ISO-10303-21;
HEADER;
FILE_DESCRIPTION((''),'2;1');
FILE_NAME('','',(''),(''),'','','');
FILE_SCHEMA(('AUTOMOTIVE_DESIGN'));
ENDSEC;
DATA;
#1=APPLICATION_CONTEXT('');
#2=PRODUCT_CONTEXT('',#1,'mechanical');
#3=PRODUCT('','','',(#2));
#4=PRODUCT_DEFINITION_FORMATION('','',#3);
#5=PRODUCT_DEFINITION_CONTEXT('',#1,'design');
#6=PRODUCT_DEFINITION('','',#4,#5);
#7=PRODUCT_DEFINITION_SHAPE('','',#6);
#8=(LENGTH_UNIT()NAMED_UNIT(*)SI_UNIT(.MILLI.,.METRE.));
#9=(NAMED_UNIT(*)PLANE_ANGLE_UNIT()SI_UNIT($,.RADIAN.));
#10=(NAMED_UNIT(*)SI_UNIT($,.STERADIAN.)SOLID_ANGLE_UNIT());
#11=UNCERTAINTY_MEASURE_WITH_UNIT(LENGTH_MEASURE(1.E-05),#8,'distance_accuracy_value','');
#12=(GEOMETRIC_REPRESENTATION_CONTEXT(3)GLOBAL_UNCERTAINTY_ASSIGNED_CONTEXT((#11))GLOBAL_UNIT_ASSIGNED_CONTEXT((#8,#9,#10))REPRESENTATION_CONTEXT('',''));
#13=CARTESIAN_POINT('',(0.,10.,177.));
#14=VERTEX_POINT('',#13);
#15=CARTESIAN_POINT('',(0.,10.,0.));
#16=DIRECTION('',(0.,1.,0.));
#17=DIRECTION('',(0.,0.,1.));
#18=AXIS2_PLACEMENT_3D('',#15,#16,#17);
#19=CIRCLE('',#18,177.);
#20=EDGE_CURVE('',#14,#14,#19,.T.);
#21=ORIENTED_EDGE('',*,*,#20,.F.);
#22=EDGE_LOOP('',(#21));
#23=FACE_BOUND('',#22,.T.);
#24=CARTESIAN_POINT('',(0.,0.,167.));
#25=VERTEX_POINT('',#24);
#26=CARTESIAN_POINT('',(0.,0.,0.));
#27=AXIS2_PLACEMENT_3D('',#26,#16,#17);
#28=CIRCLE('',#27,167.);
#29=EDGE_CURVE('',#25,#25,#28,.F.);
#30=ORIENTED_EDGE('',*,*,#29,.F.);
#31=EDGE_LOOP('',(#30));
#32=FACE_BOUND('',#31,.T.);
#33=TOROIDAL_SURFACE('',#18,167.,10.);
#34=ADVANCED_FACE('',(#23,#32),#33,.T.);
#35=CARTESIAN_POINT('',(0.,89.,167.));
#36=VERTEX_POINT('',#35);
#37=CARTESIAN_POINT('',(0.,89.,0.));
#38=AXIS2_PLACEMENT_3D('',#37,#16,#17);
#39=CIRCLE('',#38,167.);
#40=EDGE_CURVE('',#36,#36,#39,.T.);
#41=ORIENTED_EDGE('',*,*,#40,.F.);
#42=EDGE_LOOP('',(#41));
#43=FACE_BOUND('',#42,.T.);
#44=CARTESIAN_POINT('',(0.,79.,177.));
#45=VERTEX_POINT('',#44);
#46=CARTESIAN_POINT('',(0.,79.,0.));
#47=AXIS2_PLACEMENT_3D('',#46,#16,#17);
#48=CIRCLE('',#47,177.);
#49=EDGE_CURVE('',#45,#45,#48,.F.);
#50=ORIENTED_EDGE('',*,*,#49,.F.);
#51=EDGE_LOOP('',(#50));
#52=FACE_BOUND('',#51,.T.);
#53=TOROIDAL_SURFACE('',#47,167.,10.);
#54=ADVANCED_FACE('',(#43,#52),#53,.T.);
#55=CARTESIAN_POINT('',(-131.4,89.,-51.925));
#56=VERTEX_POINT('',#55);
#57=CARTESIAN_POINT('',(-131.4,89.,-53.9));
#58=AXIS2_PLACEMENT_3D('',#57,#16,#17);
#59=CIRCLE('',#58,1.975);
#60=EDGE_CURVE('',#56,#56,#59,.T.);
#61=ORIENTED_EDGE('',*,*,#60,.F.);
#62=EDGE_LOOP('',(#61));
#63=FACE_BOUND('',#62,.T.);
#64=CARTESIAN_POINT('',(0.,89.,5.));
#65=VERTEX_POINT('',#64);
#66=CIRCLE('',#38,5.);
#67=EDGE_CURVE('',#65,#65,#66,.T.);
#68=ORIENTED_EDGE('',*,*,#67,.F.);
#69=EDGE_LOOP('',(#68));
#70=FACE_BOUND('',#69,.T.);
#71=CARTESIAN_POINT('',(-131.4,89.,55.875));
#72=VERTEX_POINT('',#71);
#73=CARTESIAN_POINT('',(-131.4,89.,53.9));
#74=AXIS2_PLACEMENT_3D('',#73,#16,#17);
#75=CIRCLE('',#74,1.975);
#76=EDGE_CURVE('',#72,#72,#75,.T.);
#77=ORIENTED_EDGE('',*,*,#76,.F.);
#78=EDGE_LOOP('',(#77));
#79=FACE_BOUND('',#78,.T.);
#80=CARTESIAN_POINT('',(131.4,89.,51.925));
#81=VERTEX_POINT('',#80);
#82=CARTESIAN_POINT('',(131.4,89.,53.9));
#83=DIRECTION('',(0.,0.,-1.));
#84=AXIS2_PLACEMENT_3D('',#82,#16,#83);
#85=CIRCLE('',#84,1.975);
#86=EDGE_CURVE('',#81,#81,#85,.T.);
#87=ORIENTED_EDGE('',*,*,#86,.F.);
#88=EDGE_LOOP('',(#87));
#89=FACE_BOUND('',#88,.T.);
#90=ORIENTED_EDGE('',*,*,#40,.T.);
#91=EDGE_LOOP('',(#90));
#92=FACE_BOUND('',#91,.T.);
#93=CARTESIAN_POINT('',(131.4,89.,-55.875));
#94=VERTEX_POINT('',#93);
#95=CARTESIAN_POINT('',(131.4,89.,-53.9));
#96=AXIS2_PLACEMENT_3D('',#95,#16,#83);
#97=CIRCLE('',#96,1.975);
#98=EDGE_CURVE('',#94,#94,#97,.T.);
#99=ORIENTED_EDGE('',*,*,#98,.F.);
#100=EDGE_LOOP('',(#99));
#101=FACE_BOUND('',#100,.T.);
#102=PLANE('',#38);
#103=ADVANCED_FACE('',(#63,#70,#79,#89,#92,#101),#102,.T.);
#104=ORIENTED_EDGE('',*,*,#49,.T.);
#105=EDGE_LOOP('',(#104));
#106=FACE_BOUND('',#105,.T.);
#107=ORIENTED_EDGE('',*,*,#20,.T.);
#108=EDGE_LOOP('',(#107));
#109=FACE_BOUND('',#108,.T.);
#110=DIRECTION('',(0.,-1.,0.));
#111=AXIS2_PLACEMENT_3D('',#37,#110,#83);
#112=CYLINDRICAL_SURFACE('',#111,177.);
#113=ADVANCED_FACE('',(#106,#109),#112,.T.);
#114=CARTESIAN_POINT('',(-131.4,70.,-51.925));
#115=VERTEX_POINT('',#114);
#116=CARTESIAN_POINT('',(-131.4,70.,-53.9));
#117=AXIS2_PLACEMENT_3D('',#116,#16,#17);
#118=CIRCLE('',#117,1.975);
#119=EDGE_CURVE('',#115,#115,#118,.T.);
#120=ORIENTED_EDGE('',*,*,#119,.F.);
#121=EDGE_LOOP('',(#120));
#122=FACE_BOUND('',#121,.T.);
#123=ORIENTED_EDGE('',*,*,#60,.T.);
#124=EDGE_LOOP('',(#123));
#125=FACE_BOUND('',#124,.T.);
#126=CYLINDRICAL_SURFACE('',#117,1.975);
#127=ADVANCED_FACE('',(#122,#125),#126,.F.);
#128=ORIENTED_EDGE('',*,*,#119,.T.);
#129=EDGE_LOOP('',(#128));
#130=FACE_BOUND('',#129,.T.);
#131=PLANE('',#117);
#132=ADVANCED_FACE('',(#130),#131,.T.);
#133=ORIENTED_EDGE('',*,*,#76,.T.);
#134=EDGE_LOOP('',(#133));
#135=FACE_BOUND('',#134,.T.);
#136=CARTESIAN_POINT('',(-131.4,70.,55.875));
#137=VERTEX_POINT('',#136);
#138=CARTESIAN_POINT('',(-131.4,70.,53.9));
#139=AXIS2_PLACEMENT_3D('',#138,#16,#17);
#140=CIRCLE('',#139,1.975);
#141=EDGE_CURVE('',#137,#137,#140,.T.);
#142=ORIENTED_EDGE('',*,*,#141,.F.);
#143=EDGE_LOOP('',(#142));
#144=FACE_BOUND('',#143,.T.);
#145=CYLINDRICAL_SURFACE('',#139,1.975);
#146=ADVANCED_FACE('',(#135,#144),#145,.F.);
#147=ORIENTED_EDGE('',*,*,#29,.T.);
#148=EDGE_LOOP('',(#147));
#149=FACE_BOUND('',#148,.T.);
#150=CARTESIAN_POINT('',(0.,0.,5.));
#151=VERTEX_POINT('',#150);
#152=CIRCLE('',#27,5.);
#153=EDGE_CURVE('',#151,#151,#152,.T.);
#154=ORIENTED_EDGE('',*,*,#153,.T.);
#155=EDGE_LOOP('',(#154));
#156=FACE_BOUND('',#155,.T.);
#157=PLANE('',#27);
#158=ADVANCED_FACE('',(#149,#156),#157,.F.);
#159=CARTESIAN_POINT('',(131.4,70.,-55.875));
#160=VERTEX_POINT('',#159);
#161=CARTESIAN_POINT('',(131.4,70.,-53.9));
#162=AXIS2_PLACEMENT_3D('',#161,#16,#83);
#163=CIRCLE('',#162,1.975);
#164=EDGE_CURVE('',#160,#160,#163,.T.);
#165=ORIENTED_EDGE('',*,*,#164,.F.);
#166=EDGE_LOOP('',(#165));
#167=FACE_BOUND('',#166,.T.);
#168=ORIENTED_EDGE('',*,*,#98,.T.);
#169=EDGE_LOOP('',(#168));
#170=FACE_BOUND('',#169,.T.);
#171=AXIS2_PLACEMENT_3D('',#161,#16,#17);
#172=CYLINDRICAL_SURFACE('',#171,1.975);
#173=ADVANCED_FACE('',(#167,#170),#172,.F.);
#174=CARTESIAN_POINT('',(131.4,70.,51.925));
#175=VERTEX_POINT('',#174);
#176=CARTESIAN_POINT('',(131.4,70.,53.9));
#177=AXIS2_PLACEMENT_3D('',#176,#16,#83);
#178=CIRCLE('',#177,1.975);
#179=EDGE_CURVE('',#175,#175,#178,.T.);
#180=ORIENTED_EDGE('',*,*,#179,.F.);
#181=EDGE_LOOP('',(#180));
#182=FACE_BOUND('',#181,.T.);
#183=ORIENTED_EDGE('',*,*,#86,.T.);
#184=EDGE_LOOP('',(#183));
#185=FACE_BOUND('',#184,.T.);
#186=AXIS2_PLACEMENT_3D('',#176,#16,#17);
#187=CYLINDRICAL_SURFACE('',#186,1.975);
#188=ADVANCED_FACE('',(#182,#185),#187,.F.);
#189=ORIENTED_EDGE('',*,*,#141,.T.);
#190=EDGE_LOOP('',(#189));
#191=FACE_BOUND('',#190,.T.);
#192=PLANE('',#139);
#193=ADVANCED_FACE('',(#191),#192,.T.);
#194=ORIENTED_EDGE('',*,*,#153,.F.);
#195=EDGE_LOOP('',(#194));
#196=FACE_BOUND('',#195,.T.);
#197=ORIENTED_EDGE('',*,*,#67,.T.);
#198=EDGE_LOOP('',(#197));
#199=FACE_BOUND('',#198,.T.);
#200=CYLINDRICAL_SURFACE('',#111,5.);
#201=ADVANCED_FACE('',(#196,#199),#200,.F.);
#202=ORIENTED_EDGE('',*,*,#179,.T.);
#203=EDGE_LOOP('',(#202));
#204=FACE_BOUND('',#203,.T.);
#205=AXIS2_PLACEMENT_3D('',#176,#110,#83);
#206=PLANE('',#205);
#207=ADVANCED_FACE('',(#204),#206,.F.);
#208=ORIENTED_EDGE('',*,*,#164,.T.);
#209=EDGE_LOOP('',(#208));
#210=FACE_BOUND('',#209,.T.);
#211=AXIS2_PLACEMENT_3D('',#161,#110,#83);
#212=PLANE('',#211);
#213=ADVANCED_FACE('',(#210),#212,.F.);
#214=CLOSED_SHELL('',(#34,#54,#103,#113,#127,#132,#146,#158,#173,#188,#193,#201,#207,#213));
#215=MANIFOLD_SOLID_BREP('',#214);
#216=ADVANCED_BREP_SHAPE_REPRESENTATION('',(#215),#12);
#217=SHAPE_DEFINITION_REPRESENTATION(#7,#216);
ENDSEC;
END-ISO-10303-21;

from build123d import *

# Parameters (mm, degrees)
SKETCH1_R           = 177
SKETCH1_R_2         = 5
BOSS_EXTRUDE1_DEPTH = 89
SKETCH2_R           = 1.975
CUT_EXTRUDE1_DEPTH  = 19
FILLET1_R           = 10


with BuildPart() as part:
    # Sketch1 → Boss-Extrude1 (new body)
    with BuildSketch(Plane(origin=(0, 0, 0), x_dir=(1, 0, 0), z_dir=(0, 1, 0))):
        Circle(SKETCH1_R)
        Circle(SKETCH1_R_2, mode=Mode.SUBTRACT)
    extrude(amount=BOSS_EXTRUDE1_DEPTH)

    # Sketch2 → Cut-Extrude1 (cut)
    with BuildSketch(Plane(origin=(0, 89, 0), x_dir=(1, 0, 0), z_dir=(0, 1, 0))):
        with Locations((-131.4, 53.9)):
            Circle(SKETCH2_R)
        with Locations((-131.4, -53.9)):
            Circle(SKETCH2_R)
        with Locations((131.4, -53.9)):
            Circle(SKETCH2_R)
        with Locations((131.4, 53.9)):
            Circle(SKETCH2_R)
    extrude(amount=-CUT_EXTRUDE1_DEPTH, mode=Mode.SUBTRACT)

    # Fillet1
    fillet1_edges = [part.edges().sort_by_distance(p)[0] for p in [
        (-177, 0, 0),
        (-177, 89, 0),
    ]]
    fillet(fillet1_edges, radius=FILLET1_R)


solid = part.part
